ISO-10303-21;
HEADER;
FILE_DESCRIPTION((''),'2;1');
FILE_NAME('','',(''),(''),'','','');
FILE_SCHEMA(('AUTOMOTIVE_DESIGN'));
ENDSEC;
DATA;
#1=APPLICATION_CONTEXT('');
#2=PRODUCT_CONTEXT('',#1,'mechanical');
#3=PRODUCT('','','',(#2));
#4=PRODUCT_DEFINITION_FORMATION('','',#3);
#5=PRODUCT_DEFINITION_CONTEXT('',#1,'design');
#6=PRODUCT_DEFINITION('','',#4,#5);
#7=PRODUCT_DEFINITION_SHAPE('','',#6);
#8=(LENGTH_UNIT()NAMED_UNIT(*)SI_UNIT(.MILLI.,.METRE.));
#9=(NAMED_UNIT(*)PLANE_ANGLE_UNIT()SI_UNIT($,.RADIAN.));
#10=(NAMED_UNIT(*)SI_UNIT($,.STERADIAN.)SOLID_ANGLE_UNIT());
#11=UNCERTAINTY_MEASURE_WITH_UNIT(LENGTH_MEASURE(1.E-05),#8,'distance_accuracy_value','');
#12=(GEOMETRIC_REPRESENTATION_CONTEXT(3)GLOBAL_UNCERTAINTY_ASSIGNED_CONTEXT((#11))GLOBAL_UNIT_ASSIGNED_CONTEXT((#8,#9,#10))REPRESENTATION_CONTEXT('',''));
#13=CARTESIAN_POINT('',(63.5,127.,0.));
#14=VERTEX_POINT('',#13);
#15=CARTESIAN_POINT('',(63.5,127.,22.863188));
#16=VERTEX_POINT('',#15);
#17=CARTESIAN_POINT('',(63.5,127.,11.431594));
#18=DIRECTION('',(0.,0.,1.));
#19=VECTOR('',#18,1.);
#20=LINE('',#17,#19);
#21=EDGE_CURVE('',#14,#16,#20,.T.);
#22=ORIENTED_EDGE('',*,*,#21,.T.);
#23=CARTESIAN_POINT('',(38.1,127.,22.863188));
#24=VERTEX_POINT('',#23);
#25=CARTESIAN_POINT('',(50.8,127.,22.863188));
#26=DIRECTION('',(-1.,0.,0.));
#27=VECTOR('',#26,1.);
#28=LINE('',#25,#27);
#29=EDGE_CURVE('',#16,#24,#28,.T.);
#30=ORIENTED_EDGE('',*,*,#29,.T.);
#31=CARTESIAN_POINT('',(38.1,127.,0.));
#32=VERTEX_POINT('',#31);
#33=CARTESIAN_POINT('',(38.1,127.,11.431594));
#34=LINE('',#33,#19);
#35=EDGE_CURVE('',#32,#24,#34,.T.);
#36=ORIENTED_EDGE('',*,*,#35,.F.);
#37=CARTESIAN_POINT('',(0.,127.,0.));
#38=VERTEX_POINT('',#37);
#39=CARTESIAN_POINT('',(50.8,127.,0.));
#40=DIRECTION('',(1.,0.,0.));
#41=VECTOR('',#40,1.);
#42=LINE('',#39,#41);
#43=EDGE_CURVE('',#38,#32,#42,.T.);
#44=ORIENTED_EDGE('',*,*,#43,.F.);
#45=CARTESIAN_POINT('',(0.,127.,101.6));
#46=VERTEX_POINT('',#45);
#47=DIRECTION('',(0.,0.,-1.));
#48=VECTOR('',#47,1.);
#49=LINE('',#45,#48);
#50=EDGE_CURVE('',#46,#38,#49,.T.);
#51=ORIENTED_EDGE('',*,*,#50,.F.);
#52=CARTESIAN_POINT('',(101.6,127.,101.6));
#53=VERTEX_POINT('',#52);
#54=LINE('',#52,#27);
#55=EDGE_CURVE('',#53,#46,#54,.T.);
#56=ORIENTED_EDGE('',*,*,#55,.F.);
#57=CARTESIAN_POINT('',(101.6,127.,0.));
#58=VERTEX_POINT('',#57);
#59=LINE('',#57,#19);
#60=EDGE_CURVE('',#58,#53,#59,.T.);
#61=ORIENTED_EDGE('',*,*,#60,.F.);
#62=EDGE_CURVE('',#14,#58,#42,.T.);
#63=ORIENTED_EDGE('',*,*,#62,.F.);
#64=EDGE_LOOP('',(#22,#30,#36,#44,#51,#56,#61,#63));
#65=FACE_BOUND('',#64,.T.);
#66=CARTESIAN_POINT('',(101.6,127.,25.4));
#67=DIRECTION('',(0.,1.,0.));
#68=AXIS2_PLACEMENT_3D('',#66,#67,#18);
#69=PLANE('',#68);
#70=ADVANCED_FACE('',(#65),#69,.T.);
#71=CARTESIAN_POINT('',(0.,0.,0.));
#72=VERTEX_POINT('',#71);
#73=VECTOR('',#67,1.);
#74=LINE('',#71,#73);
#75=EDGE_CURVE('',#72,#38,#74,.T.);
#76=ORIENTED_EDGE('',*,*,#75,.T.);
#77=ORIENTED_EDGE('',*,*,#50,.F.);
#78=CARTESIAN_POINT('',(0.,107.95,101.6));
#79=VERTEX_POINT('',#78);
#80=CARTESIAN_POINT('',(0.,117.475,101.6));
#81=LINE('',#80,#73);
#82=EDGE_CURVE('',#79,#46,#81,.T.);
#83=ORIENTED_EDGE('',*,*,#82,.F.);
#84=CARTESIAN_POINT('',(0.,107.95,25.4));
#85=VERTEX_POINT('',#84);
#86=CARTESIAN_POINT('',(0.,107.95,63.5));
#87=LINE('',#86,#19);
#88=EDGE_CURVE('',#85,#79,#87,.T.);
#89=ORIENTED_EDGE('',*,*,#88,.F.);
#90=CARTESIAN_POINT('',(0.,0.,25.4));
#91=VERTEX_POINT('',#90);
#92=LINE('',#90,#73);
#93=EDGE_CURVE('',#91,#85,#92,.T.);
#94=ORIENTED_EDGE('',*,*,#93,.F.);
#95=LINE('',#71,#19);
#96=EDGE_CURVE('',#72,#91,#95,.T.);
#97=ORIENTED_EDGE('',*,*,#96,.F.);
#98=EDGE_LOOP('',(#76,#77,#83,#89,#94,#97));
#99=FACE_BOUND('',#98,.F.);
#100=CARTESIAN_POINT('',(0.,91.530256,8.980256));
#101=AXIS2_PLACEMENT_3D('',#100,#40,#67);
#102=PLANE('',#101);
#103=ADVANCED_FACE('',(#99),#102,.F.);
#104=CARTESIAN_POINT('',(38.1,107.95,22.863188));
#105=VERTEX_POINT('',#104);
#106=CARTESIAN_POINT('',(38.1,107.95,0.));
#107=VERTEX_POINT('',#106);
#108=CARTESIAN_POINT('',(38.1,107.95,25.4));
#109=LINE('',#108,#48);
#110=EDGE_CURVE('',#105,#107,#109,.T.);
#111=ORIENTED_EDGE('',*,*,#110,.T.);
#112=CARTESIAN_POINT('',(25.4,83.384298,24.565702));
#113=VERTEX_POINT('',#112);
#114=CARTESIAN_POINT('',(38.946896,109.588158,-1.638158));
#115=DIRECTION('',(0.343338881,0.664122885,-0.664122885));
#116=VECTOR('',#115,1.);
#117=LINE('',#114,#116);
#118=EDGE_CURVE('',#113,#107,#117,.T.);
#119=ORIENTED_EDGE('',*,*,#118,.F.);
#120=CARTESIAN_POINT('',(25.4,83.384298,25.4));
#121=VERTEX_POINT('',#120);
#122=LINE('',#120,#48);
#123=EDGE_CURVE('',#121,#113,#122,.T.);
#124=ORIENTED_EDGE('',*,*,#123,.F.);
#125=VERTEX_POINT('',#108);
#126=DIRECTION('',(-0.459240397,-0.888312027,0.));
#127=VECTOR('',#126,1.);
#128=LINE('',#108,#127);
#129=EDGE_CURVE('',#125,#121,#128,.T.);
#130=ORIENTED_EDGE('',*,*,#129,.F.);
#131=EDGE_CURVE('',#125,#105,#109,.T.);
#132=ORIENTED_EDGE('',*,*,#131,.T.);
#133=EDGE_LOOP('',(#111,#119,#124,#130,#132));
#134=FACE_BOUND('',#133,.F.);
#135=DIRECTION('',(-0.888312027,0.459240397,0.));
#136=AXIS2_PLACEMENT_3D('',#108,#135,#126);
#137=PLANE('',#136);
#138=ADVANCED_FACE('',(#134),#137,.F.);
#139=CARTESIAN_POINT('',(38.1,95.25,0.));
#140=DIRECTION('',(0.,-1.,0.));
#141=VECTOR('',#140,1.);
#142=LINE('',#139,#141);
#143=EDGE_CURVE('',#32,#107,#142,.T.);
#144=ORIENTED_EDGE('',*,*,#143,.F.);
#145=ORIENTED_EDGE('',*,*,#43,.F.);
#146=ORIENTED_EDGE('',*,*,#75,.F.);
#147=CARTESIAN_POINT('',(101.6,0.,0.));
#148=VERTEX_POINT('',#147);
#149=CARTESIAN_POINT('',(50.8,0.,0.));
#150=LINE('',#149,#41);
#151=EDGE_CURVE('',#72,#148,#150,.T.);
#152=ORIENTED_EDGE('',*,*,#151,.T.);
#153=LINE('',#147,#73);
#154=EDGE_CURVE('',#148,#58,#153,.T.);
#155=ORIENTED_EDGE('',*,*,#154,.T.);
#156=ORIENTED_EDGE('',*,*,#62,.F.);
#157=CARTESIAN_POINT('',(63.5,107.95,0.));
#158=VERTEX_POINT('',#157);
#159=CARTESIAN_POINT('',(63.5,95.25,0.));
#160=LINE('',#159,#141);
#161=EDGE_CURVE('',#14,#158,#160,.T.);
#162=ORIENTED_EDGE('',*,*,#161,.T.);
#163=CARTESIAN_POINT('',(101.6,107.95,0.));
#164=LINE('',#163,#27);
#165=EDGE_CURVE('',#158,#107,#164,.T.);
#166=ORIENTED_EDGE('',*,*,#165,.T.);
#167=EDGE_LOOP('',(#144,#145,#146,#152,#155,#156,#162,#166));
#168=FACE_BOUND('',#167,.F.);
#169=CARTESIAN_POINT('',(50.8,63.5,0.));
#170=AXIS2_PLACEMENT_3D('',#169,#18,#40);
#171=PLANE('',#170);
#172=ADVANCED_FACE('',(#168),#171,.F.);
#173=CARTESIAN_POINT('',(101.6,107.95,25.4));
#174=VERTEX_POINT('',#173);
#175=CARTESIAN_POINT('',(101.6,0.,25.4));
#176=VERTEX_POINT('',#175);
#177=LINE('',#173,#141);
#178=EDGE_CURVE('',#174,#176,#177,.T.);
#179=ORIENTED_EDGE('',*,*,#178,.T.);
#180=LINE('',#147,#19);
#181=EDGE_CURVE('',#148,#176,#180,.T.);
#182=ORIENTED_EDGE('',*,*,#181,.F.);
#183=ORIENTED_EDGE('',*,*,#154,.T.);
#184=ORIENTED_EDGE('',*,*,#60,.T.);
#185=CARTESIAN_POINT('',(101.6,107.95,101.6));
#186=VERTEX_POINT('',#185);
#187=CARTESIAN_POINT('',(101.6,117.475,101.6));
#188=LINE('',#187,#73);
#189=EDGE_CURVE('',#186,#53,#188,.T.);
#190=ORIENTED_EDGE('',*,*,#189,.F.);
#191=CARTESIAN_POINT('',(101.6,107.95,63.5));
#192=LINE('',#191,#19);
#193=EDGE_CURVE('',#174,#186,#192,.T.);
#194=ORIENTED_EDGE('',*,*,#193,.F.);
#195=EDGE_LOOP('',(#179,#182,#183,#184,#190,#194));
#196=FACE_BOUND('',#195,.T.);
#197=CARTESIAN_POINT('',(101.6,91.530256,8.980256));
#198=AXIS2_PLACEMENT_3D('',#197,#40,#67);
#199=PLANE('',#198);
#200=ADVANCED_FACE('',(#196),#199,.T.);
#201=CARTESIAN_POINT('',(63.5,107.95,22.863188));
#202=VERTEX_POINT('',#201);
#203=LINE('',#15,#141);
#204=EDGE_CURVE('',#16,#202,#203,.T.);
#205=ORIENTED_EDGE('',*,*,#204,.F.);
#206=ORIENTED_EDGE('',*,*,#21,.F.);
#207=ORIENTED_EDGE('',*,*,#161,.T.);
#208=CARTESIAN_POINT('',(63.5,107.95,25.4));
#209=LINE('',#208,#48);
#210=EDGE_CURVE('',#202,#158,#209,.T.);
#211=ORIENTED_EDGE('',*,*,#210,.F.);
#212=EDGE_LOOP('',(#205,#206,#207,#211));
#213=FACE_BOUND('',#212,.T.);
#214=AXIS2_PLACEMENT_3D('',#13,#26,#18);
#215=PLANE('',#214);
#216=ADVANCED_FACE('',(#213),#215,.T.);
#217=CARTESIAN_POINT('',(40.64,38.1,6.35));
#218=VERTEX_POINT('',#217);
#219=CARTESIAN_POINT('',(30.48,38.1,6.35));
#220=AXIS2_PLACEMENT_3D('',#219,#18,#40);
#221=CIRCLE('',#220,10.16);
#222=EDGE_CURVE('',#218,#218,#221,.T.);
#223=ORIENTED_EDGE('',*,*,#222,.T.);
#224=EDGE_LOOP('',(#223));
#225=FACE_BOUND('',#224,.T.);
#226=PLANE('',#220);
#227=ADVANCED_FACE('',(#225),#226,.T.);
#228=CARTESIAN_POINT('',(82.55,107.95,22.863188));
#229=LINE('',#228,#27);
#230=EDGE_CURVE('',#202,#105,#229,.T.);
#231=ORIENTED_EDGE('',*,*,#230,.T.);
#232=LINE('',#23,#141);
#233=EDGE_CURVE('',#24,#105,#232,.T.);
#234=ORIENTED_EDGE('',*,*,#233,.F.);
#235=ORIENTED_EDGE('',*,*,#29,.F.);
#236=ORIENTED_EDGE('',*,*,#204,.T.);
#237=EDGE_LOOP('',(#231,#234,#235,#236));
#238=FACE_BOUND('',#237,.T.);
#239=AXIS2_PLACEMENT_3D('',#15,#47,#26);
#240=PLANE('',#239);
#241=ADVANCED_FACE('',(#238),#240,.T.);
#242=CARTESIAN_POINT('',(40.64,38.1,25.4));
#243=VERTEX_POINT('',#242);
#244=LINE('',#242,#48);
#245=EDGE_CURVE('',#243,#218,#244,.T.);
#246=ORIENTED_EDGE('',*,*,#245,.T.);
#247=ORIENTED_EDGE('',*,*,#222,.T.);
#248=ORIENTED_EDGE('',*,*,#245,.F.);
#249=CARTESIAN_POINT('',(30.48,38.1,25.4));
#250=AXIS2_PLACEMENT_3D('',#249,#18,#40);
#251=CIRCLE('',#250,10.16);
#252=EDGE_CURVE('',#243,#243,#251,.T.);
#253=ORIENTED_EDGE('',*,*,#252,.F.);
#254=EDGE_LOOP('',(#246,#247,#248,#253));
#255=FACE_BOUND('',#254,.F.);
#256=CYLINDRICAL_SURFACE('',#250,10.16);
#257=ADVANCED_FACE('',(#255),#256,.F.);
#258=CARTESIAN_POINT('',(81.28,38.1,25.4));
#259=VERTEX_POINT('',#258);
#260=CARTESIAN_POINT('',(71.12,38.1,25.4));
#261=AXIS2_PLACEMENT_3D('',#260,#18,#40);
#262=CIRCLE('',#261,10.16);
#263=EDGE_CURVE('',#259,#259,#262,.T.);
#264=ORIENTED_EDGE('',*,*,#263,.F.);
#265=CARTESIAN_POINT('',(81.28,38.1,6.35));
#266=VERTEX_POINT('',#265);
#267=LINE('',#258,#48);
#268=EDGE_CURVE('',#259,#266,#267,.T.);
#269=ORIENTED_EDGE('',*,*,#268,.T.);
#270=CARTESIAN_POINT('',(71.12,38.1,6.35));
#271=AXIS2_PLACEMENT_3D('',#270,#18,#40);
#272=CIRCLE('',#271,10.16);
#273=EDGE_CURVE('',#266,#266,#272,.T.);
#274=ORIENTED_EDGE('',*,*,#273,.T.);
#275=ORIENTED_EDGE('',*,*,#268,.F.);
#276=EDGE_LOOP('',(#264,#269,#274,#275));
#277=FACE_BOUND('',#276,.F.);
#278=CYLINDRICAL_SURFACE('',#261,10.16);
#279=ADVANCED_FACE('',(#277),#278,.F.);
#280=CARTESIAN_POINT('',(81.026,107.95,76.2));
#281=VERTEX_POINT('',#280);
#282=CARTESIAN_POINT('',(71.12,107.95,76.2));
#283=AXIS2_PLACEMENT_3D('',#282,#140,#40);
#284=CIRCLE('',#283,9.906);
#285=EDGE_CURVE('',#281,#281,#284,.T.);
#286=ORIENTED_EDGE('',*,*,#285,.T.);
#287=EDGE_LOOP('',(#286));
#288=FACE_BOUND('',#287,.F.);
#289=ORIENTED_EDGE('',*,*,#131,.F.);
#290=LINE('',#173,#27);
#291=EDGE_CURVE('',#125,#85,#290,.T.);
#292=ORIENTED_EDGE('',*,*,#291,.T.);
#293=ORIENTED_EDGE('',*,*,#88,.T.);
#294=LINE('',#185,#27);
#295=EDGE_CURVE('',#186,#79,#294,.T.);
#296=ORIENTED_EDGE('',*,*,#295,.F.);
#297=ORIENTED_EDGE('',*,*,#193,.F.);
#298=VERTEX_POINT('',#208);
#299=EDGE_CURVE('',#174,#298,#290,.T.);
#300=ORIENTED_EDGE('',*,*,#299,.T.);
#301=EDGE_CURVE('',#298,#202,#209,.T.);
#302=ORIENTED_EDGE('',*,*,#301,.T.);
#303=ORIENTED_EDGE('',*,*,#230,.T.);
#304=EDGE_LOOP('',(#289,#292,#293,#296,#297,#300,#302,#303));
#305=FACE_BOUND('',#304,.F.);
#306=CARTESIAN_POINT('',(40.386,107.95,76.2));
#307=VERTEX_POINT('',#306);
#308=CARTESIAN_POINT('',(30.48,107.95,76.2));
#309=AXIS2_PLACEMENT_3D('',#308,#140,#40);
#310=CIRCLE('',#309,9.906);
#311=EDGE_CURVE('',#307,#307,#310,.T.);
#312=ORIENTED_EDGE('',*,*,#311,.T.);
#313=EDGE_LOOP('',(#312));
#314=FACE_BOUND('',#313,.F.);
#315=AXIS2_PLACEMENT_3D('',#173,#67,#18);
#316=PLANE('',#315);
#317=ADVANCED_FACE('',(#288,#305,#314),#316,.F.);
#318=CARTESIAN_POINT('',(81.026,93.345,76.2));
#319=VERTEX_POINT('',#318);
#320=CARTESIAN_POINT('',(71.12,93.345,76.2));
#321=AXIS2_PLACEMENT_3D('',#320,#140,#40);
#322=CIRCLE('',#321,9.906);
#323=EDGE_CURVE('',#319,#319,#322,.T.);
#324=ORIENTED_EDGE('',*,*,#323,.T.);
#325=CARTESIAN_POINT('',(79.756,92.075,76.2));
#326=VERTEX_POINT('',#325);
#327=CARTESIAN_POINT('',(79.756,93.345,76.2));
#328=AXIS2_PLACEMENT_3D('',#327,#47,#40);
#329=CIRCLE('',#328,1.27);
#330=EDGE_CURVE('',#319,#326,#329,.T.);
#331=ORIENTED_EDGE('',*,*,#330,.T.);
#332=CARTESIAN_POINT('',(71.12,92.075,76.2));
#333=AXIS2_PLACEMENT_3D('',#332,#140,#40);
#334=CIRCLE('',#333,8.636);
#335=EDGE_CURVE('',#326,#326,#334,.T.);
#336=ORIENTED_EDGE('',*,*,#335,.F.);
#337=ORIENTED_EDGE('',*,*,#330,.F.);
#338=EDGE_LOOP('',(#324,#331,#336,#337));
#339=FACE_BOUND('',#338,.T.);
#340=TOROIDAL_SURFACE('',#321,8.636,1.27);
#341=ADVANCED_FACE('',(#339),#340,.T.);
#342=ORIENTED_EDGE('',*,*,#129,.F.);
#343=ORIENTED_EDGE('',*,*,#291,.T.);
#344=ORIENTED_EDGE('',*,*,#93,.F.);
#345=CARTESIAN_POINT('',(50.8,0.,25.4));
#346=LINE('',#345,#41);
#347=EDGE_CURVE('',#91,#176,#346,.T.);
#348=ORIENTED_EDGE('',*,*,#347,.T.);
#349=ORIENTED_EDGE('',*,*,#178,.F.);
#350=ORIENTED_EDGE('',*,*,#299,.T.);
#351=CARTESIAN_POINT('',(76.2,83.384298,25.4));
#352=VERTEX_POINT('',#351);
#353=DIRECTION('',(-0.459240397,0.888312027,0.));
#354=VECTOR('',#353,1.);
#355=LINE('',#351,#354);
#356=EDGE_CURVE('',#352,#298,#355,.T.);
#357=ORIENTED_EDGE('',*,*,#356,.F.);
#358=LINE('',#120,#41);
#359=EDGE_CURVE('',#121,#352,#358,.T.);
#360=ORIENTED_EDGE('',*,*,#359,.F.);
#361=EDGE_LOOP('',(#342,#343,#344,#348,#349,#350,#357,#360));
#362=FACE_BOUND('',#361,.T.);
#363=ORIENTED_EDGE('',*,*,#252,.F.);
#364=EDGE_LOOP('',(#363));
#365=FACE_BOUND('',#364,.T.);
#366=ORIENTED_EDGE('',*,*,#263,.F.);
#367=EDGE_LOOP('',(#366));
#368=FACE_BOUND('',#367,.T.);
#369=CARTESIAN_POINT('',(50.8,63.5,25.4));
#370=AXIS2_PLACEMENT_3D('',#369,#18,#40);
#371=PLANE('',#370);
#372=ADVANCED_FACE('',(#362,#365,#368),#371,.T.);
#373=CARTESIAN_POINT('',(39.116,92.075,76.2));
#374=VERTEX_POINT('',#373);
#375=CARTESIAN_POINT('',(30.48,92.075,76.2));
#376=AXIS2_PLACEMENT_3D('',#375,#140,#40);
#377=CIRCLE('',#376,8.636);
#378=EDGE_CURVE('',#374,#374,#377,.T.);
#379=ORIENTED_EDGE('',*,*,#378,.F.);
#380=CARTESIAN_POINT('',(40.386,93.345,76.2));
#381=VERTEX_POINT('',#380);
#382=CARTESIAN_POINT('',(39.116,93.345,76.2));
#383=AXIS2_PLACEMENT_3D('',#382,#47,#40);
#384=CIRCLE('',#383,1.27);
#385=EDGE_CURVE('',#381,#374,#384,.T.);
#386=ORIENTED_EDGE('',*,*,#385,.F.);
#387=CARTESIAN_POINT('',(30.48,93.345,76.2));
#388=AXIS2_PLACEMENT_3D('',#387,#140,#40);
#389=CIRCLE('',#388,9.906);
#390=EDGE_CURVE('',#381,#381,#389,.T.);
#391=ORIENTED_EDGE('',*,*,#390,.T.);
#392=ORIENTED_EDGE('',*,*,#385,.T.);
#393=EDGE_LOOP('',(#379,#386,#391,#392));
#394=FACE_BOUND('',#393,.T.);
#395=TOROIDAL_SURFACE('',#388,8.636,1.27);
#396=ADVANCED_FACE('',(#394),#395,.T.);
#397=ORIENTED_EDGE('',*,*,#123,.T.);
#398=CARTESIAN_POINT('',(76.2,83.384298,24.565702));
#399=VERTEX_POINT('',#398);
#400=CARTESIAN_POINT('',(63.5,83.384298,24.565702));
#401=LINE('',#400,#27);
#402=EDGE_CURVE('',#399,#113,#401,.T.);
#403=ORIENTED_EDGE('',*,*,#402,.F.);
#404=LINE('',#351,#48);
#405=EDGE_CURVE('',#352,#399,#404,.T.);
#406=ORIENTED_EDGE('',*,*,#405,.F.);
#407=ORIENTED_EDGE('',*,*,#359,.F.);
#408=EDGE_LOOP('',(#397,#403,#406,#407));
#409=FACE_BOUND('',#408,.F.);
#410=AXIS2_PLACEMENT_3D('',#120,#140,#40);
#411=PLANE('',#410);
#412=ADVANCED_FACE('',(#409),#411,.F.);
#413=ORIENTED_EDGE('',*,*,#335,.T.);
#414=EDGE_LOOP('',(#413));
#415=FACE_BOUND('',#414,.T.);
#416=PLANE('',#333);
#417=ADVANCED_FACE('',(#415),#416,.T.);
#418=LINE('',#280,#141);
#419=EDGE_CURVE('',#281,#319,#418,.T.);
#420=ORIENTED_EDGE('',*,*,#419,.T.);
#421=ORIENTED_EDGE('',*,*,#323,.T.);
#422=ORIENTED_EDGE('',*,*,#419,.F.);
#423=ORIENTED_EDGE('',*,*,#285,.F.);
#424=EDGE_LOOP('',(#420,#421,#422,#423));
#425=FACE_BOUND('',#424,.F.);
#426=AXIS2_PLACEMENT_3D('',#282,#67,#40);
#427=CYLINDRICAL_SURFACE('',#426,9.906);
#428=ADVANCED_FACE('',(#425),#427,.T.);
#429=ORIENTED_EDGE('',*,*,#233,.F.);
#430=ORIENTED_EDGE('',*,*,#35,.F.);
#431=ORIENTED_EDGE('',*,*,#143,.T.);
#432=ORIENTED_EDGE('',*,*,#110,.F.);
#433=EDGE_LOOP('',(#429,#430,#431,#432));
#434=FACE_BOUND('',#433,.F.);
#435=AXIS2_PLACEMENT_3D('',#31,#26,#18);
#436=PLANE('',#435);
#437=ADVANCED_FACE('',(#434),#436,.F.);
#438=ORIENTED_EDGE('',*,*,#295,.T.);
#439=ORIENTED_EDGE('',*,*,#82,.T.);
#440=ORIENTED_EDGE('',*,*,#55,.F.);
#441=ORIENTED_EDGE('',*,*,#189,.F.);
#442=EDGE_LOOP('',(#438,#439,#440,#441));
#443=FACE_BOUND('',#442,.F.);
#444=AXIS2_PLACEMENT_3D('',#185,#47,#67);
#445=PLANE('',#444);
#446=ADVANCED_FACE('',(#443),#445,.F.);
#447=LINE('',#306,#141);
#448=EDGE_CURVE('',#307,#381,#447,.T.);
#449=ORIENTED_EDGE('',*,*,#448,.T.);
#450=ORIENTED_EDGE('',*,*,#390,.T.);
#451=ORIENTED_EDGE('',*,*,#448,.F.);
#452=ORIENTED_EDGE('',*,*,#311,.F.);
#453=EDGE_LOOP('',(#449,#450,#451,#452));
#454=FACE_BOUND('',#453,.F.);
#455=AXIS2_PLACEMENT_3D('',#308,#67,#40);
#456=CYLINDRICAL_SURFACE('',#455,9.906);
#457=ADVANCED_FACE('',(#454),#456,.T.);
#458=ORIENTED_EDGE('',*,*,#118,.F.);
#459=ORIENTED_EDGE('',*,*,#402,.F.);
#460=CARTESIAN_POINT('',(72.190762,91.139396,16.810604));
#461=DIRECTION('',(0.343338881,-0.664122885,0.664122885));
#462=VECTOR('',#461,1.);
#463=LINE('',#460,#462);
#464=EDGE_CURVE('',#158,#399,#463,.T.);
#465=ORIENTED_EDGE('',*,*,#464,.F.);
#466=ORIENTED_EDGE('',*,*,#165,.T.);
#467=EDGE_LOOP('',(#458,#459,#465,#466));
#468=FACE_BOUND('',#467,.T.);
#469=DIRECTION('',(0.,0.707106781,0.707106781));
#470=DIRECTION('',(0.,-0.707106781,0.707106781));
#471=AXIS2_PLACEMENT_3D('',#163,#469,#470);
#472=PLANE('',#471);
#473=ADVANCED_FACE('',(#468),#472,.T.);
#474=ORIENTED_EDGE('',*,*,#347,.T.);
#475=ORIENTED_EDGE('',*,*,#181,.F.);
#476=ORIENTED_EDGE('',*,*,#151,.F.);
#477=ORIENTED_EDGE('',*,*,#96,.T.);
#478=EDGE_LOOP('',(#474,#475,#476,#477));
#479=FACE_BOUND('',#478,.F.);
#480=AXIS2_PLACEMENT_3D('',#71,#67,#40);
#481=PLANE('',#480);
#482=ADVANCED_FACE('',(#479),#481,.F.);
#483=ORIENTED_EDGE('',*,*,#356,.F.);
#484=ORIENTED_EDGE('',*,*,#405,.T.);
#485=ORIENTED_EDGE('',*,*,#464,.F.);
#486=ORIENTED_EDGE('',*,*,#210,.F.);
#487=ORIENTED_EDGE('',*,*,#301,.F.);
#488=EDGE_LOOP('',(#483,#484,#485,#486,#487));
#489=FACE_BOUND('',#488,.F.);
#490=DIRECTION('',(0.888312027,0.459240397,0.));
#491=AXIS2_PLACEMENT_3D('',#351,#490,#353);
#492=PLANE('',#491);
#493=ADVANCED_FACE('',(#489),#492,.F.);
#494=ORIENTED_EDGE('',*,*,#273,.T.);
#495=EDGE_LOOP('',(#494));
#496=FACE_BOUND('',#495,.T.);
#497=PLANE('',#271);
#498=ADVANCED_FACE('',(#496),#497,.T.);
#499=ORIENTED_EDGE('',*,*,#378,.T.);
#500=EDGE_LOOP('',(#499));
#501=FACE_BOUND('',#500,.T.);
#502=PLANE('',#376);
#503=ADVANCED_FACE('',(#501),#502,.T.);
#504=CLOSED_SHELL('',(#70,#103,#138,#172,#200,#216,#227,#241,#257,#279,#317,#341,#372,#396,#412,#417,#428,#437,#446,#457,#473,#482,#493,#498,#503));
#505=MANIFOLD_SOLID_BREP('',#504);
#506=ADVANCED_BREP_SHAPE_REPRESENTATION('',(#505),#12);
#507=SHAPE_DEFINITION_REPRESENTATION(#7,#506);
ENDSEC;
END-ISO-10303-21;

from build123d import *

# Parameters (mm, degrees)
F0_W      = 101.6
F0_H      = 127
F1_DEPTH  = 25.4
F2_R      = 10.16
F3_DEPTH  = 19.05
F4_W      = 19.05
F4_H      = 76.2
F5_DEPTH  = 101.6
F6_R      = 9.906
F7_DEPTH  = 15.875
F8_R      = 1.27
F10_DEPTH = 25.401
F11_W     = 25.4
F11_H     = 22.863189
F12_DEPTH = 25.4
F14_DEPTH = 101.6


with BuildPart() as f1:
    # F0 (on Top) → F1 (new body)
    with BuildSketch(Plane.XY):
        with Locations((50.8, 63.5)):
            Rectangle(F0_W, F0_H)
    extrude(amount=F1_DEPTH)

    # F2 (on face) → F3 (cut)
    with BuildSketch(Plane.XY.offset(25.4)):
        with Locations((30.48, 38.1)):
            Circle(F2_R)
        with Locations((71.12, 38.1)):
            Circle(F2_R)
    extrude(amount=-F3_DEPTH, mode=Mode.SUBTRACT)

    # F4 (on face) → F5 (join)
    with BuildSketch(Plane.YZ.offset(101.6)):
        with Locations((117.475, 63.5)):
            Rectangle(F4_W, F4_H)
    extrude(amount=-F5_DEPTH)

    # F6 (on face) → F7 (join)
    with BuildSketch(Plane.XZ.offset(-107.95)):
        with Locations((30.48, 76.2)):
            Circle(F6_R)
        with Locations((71.12, 76.2)):
            Circle(F6_R)
    extrude(amount=F7_DEPTH)

    # F8
    f8_edges = [f1.edges().sort_by_distance(p)[0] for p in [
        (61.214, 92.075, 76.2),
        (20.574, 92.075, 76.2),
    ]]
    fillet(f8_edges, radius=F8_R)

    # F9 (on face) → F10 (cut, through all)
    with BuildSketch(Plane.XY.offset(25.4)):
        Polygon((63.5, 107.95), (38.1, 107.95), (25.4, 83.384298), (76.2, 83.384298), align=None)
    extrude(amount=-F10_DEPTH, mode=Mode.SUBTRACT)

    # F11 (on face) → F12 (cut)
    with BuildSketch(Plane(origin=(0, 127, 0), x_dir=(-1, 0, 0), z_dir=(0, 1, 0))):
        with Locations((-50.8, 11.431594)):
            Rectangle(F11_W, F11_H)
    extrude(amount=-F12_DEPTH, mode=Mode.SUBTRACT)

    # F13 (on face) → F14 (join)
    with BuildSketch(Plane.YZ.offset(101.6)):
        Polygon((82.55, 0), (107.95, 0), (82.55, 25.4), align=None)
    extrude(amount=-F14_DEPTH)


solid = f1.part
